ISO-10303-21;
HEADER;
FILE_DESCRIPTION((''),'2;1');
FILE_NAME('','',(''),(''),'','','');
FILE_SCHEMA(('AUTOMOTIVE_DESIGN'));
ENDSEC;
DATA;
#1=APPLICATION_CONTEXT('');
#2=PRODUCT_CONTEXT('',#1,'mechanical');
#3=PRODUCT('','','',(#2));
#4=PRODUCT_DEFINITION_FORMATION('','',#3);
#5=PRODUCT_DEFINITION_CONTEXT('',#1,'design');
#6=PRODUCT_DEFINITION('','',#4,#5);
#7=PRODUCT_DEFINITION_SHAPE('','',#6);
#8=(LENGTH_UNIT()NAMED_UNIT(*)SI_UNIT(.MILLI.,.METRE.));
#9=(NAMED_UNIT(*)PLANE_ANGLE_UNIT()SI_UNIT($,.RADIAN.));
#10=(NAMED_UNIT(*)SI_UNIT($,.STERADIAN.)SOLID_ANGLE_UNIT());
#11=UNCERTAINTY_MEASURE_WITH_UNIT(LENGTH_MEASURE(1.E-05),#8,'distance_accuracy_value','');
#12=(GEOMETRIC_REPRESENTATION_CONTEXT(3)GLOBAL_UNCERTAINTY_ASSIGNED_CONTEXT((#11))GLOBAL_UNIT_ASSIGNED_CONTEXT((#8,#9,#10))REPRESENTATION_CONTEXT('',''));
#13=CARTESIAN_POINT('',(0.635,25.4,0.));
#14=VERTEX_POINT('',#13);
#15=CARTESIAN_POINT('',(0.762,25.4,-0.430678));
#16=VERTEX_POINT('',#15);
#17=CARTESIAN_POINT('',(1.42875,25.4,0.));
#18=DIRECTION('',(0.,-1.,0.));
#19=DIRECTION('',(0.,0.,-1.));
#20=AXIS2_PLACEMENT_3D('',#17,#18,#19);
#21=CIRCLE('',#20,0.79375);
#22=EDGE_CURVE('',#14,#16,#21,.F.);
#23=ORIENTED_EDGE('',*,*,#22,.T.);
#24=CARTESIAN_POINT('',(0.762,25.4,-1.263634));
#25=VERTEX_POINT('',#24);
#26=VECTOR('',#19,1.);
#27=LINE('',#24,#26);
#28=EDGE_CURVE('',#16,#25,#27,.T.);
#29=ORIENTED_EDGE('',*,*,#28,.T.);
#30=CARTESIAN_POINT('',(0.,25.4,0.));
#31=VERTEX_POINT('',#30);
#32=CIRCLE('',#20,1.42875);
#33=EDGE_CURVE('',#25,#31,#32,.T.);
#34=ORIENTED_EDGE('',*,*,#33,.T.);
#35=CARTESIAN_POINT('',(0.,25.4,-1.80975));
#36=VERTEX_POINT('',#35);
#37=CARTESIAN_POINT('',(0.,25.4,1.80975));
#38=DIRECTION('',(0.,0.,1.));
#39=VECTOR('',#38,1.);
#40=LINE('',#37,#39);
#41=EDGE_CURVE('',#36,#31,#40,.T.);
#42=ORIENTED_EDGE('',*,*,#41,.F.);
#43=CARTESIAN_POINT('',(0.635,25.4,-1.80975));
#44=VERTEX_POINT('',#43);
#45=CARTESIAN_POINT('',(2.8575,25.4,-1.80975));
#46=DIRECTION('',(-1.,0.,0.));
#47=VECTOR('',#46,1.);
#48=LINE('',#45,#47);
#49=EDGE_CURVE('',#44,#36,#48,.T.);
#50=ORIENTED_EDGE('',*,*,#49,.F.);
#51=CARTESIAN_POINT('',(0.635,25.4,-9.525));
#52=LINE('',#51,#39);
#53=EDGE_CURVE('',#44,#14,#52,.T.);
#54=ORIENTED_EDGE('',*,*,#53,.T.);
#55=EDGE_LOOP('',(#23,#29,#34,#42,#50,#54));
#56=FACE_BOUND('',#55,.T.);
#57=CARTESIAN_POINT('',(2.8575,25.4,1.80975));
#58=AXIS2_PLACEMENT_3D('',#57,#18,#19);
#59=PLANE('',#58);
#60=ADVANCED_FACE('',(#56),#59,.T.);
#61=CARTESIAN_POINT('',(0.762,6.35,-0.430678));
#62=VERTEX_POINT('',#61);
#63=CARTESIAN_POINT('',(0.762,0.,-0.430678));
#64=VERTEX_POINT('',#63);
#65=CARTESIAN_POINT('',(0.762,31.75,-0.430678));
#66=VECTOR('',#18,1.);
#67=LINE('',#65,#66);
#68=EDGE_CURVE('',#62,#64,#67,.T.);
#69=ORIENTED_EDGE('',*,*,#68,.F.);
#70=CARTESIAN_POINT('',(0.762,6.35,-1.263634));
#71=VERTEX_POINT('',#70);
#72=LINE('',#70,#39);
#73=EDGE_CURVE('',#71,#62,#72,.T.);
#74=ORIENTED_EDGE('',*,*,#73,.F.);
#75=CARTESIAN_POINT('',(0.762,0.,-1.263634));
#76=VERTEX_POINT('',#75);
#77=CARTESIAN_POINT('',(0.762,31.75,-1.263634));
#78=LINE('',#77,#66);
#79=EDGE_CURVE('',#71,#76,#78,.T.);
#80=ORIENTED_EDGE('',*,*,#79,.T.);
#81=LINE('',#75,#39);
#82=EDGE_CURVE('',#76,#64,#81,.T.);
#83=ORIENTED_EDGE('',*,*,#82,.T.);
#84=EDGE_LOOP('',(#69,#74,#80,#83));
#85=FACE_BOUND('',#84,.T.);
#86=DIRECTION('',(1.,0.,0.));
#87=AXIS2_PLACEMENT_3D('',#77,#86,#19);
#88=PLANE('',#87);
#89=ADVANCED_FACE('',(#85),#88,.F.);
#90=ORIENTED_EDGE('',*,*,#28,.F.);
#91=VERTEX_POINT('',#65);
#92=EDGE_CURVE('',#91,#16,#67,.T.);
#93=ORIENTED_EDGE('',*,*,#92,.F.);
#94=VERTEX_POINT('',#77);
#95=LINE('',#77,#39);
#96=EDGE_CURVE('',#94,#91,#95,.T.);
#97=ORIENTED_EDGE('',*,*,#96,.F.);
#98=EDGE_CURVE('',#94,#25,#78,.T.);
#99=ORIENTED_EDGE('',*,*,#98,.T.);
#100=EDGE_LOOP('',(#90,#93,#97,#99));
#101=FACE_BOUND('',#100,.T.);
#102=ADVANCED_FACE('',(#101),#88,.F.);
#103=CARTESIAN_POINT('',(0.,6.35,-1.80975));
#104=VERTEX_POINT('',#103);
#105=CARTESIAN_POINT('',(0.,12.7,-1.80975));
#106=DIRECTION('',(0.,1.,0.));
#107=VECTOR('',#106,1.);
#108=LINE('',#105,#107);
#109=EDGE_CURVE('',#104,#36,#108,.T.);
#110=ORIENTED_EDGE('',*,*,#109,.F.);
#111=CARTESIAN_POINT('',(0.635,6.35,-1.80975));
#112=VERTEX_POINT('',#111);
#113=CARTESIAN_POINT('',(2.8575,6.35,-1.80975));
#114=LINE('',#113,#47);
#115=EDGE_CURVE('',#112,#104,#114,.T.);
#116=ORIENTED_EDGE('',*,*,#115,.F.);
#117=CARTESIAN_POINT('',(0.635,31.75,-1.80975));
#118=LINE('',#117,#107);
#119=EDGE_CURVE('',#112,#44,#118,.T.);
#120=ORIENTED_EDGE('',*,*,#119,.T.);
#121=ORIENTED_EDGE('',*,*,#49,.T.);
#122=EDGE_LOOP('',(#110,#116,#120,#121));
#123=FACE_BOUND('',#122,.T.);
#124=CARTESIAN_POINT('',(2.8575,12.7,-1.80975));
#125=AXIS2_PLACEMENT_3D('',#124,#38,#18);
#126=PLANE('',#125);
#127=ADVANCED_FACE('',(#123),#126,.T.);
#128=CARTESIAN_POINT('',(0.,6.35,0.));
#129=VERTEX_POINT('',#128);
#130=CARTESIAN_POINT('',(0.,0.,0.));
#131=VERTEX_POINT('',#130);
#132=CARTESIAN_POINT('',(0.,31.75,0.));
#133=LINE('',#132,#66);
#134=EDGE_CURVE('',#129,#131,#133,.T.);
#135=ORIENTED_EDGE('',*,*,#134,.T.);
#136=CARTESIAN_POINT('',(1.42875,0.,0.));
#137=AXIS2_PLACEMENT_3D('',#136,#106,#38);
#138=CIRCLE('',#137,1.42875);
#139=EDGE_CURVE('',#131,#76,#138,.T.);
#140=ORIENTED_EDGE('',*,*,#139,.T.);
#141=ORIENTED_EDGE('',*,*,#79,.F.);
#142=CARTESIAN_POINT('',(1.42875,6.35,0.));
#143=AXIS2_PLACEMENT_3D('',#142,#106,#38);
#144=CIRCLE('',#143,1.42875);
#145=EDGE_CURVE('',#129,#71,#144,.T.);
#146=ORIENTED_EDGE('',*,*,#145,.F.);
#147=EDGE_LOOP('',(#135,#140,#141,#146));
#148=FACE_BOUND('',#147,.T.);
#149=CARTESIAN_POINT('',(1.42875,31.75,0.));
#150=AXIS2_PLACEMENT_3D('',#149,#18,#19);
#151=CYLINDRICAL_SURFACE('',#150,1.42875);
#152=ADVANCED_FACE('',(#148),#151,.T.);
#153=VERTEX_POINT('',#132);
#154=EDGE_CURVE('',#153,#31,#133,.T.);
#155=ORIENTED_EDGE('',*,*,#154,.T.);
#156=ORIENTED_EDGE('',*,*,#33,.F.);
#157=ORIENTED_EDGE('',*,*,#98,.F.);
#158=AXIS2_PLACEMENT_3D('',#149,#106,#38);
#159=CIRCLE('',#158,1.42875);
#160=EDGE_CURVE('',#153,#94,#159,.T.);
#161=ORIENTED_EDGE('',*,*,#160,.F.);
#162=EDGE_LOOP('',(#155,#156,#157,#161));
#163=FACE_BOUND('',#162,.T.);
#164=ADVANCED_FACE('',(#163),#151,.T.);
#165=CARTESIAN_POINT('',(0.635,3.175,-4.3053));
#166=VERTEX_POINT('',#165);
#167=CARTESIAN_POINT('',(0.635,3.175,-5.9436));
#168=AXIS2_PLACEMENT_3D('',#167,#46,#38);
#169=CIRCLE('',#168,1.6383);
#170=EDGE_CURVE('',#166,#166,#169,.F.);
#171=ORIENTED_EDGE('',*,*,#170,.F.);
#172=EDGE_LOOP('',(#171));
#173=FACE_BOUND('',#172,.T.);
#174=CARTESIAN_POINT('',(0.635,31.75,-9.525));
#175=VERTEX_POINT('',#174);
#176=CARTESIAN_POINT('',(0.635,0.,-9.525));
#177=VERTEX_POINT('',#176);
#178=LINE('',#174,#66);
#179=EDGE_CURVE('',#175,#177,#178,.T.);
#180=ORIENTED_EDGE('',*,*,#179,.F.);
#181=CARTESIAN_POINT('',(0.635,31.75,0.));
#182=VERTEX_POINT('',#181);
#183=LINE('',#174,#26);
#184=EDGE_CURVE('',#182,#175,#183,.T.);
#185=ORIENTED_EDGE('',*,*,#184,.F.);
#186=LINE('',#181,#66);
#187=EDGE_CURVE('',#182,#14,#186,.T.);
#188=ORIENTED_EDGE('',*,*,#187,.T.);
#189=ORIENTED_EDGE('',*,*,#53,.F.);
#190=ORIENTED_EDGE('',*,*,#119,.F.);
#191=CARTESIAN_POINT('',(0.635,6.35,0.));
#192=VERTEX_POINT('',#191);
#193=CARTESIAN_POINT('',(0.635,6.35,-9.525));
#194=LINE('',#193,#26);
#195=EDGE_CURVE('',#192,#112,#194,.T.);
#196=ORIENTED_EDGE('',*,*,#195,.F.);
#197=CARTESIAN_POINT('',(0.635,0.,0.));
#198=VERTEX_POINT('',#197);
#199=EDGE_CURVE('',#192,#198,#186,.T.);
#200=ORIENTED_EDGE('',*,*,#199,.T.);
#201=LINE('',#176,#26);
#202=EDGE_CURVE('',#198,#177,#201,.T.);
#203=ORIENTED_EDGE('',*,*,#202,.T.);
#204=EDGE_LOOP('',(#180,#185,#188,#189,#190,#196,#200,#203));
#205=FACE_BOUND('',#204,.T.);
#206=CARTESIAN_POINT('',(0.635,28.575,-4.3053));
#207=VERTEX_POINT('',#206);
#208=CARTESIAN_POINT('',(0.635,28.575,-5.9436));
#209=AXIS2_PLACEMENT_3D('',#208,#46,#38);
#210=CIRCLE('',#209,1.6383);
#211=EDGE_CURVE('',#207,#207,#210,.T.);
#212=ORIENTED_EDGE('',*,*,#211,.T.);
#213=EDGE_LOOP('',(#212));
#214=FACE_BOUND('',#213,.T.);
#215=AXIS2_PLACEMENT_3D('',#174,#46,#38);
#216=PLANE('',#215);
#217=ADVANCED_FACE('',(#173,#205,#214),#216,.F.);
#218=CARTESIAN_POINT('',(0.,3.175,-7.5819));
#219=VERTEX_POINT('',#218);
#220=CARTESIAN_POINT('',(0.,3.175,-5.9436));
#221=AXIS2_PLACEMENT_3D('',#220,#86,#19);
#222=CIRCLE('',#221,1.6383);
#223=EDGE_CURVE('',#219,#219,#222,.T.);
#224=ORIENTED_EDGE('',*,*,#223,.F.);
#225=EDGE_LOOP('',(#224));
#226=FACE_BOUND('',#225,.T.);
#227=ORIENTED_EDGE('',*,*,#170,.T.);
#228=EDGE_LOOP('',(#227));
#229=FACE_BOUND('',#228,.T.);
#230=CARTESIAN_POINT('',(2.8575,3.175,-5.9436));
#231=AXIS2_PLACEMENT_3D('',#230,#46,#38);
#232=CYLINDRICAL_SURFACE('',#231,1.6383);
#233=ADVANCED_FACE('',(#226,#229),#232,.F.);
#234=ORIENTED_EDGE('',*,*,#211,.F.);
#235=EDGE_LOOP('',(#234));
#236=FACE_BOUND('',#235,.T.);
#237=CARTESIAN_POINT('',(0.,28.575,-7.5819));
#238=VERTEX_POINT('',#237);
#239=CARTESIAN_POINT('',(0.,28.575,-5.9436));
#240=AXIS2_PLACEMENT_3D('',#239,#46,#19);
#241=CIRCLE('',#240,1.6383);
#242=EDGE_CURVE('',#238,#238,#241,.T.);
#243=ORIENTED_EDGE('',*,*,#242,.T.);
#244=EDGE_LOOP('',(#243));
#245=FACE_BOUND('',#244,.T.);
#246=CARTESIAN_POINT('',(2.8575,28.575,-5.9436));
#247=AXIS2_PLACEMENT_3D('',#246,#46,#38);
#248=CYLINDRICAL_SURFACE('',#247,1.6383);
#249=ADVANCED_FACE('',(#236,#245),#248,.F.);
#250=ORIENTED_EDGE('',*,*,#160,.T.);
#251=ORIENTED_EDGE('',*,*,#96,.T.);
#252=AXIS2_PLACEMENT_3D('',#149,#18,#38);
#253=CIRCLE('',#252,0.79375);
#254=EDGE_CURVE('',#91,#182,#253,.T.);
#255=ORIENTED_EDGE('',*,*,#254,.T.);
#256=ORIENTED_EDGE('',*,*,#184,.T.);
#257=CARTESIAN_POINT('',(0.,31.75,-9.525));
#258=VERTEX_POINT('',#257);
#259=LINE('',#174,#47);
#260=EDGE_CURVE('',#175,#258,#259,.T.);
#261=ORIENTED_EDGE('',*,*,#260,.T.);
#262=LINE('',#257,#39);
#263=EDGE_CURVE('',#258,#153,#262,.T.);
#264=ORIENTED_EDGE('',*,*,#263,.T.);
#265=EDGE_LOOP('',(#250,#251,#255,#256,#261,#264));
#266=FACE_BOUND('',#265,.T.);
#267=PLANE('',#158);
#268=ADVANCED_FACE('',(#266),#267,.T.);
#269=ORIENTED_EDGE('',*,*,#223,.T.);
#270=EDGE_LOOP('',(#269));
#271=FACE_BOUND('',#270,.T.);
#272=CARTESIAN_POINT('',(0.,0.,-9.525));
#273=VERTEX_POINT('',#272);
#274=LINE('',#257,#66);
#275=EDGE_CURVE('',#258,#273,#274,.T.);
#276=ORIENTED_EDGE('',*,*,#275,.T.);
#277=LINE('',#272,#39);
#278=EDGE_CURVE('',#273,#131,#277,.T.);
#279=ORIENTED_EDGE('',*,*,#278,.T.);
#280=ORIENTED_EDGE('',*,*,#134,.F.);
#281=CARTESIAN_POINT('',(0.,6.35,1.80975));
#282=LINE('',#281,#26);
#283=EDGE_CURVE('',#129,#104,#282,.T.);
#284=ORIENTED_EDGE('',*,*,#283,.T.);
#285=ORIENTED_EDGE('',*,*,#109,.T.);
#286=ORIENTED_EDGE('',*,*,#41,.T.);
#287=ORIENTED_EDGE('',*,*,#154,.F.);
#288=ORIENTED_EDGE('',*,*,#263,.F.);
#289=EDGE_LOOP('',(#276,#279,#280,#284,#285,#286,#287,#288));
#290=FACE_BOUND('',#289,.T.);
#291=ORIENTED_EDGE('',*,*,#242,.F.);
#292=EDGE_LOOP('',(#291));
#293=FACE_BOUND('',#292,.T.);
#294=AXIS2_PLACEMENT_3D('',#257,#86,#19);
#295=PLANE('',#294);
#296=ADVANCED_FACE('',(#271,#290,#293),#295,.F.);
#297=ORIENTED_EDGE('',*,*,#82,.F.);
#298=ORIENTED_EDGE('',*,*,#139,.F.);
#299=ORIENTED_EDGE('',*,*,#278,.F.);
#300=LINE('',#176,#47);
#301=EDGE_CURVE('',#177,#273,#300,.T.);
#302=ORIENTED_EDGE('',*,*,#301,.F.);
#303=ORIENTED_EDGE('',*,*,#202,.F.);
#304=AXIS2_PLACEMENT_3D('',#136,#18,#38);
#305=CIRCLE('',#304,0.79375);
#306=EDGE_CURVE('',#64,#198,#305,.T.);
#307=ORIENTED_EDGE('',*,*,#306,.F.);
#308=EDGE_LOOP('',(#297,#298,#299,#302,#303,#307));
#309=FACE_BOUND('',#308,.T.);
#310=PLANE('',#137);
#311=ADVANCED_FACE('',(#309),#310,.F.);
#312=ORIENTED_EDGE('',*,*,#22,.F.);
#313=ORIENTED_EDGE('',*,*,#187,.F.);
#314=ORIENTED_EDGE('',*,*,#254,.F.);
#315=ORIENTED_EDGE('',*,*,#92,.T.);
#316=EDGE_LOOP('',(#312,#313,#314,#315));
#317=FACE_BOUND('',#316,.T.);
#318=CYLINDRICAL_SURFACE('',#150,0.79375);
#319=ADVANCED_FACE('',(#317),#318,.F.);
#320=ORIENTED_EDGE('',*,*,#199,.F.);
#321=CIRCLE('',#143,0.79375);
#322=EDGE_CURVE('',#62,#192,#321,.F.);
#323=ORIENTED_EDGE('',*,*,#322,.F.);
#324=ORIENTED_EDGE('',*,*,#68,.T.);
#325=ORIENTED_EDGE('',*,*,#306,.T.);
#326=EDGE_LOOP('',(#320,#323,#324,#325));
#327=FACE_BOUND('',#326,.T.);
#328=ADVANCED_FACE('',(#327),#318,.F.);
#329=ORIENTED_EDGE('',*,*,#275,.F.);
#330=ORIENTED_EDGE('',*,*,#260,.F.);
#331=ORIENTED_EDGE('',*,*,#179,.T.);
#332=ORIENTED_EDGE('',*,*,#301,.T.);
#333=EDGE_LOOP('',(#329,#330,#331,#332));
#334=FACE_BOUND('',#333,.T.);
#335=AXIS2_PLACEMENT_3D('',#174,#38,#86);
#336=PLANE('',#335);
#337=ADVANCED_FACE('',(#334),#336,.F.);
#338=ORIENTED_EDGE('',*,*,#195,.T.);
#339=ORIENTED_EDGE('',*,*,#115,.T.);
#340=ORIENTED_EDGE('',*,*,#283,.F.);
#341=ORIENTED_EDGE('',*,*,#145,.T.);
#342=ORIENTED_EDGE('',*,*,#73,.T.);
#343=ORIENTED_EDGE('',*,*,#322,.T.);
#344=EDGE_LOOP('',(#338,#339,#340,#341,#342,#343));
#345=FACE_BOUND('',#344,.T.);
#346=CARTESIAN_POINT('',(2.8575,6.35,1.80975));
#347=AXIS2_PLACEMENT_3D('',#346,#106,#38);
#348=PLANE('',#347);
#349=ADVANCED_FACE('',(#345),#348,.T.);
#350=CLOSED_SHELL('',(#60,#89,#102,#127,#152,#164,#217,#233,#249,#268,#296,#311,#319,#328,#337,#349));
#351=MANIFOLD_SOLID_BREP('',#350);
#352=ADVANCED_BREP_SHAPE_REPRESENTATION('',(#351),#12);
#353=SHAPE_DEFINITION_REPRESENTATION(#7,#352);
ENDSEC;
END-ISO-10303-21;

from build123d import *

# Parameters (mm, degrees)
BOSS_EXTRUDE1_DEPTH = 31.75
SKETCH7_W           = 3.6195
SKETCH7_H           = 6.35
CUT_EXTRUDE2_DEPTH  = 3.8575
SKETCH10_W          = 3.6195
SKETCH10_H          = 6.35
CUT_EXTRUDE4_DEPTH  = 3.8575
SKETCH15_R          = 1.6383
CUT_EXTRUDE5_DEPTH  = 3.8575


with BuildPart() as part:
    # Sketch3 → Boss-Extrude1 (new body)
    with BuildSketch(Plane(origin=(0, 0, 0), x_dir=(1, 0, 0), z_dir=(0, 1, 0))):
        with BuildLine():
            Line((0.635, 9.525), (0, 9.525))
            Line((0, 9.525), (0, 0))
            ThreePointArc((0, 0), (2.652258403, -0.737803327), (0.762, 1.263634045))
            Line((0.762, 1.263634045), (0.762, 0.430677954))
            ThreePointArc((0.762, 0.430677954), (2.190088254, -0.224506403), (0.635, 0))
            Line((0.635, 0), (0.635, 9.525))
        make_face()
    extrude(amount=BOSS_EXTRUDE1_DEPTH)

    # Sketch7 → Cut-Extrude2 (cut, through all)
    with BuildSketch(Plane(origin=(0, 0, 0), x_dir=(0, 0, -1), z_dir=(1, 0, 0))):
        with Locations((0, 34.925)):
            Rectangle(SKETCH7_W, SKETCH7_H)
        with Locations((0, 9.525)):
            Rectangle(SKETCH7_W, SKETCH7_H)
        with Locations((0, 22.225)):
            Rectangle(SKETCH7_W, SKETCH7_H)
    extrude(amount=CUT_EXTRUDE2_DEPTH, mode=Mode.SUBTRACT)

    # Sketch10 → Cut-Extrude4 (cut, through all)
    with BuildSketch(Plane(origin=(0, 0, 0), x_dir=(0, 0, -1), z_dir=(1, 0, 0))):
        with Locations((0, 15.875)):
            Rectangle(SKETCH10_W, SKETCH10_H)
    extrude(amount=CUT_EXTRUDE4_DEPTH, mode=Mode.SUBTRACT)

    # Sketch15 → Cut-Extrude5 (cut, through all)
    with BuildSketch(Plane(origin=(0, 0, 0), x_dir=(0, 0, -1), z_dir=(1, 0, 0))):
        with Locations((5.9436, 3.175)):
            Circle(SKETCH15_R)
    cut_extrude5 = extrude(amount=CUT_EXTRUDE5_DEPTH, mode=Mode.SUBTRACT)

    # Mirror1: Cut-Extrude5 across plane
    add(cut_extrude5.mirror(Plane(origin=(0, 15.875, 0), x_dir=(0, 0, 1), z_dir=(0, -1, 0))), mode=Mode.SUBTRACT)


solid = part.part
